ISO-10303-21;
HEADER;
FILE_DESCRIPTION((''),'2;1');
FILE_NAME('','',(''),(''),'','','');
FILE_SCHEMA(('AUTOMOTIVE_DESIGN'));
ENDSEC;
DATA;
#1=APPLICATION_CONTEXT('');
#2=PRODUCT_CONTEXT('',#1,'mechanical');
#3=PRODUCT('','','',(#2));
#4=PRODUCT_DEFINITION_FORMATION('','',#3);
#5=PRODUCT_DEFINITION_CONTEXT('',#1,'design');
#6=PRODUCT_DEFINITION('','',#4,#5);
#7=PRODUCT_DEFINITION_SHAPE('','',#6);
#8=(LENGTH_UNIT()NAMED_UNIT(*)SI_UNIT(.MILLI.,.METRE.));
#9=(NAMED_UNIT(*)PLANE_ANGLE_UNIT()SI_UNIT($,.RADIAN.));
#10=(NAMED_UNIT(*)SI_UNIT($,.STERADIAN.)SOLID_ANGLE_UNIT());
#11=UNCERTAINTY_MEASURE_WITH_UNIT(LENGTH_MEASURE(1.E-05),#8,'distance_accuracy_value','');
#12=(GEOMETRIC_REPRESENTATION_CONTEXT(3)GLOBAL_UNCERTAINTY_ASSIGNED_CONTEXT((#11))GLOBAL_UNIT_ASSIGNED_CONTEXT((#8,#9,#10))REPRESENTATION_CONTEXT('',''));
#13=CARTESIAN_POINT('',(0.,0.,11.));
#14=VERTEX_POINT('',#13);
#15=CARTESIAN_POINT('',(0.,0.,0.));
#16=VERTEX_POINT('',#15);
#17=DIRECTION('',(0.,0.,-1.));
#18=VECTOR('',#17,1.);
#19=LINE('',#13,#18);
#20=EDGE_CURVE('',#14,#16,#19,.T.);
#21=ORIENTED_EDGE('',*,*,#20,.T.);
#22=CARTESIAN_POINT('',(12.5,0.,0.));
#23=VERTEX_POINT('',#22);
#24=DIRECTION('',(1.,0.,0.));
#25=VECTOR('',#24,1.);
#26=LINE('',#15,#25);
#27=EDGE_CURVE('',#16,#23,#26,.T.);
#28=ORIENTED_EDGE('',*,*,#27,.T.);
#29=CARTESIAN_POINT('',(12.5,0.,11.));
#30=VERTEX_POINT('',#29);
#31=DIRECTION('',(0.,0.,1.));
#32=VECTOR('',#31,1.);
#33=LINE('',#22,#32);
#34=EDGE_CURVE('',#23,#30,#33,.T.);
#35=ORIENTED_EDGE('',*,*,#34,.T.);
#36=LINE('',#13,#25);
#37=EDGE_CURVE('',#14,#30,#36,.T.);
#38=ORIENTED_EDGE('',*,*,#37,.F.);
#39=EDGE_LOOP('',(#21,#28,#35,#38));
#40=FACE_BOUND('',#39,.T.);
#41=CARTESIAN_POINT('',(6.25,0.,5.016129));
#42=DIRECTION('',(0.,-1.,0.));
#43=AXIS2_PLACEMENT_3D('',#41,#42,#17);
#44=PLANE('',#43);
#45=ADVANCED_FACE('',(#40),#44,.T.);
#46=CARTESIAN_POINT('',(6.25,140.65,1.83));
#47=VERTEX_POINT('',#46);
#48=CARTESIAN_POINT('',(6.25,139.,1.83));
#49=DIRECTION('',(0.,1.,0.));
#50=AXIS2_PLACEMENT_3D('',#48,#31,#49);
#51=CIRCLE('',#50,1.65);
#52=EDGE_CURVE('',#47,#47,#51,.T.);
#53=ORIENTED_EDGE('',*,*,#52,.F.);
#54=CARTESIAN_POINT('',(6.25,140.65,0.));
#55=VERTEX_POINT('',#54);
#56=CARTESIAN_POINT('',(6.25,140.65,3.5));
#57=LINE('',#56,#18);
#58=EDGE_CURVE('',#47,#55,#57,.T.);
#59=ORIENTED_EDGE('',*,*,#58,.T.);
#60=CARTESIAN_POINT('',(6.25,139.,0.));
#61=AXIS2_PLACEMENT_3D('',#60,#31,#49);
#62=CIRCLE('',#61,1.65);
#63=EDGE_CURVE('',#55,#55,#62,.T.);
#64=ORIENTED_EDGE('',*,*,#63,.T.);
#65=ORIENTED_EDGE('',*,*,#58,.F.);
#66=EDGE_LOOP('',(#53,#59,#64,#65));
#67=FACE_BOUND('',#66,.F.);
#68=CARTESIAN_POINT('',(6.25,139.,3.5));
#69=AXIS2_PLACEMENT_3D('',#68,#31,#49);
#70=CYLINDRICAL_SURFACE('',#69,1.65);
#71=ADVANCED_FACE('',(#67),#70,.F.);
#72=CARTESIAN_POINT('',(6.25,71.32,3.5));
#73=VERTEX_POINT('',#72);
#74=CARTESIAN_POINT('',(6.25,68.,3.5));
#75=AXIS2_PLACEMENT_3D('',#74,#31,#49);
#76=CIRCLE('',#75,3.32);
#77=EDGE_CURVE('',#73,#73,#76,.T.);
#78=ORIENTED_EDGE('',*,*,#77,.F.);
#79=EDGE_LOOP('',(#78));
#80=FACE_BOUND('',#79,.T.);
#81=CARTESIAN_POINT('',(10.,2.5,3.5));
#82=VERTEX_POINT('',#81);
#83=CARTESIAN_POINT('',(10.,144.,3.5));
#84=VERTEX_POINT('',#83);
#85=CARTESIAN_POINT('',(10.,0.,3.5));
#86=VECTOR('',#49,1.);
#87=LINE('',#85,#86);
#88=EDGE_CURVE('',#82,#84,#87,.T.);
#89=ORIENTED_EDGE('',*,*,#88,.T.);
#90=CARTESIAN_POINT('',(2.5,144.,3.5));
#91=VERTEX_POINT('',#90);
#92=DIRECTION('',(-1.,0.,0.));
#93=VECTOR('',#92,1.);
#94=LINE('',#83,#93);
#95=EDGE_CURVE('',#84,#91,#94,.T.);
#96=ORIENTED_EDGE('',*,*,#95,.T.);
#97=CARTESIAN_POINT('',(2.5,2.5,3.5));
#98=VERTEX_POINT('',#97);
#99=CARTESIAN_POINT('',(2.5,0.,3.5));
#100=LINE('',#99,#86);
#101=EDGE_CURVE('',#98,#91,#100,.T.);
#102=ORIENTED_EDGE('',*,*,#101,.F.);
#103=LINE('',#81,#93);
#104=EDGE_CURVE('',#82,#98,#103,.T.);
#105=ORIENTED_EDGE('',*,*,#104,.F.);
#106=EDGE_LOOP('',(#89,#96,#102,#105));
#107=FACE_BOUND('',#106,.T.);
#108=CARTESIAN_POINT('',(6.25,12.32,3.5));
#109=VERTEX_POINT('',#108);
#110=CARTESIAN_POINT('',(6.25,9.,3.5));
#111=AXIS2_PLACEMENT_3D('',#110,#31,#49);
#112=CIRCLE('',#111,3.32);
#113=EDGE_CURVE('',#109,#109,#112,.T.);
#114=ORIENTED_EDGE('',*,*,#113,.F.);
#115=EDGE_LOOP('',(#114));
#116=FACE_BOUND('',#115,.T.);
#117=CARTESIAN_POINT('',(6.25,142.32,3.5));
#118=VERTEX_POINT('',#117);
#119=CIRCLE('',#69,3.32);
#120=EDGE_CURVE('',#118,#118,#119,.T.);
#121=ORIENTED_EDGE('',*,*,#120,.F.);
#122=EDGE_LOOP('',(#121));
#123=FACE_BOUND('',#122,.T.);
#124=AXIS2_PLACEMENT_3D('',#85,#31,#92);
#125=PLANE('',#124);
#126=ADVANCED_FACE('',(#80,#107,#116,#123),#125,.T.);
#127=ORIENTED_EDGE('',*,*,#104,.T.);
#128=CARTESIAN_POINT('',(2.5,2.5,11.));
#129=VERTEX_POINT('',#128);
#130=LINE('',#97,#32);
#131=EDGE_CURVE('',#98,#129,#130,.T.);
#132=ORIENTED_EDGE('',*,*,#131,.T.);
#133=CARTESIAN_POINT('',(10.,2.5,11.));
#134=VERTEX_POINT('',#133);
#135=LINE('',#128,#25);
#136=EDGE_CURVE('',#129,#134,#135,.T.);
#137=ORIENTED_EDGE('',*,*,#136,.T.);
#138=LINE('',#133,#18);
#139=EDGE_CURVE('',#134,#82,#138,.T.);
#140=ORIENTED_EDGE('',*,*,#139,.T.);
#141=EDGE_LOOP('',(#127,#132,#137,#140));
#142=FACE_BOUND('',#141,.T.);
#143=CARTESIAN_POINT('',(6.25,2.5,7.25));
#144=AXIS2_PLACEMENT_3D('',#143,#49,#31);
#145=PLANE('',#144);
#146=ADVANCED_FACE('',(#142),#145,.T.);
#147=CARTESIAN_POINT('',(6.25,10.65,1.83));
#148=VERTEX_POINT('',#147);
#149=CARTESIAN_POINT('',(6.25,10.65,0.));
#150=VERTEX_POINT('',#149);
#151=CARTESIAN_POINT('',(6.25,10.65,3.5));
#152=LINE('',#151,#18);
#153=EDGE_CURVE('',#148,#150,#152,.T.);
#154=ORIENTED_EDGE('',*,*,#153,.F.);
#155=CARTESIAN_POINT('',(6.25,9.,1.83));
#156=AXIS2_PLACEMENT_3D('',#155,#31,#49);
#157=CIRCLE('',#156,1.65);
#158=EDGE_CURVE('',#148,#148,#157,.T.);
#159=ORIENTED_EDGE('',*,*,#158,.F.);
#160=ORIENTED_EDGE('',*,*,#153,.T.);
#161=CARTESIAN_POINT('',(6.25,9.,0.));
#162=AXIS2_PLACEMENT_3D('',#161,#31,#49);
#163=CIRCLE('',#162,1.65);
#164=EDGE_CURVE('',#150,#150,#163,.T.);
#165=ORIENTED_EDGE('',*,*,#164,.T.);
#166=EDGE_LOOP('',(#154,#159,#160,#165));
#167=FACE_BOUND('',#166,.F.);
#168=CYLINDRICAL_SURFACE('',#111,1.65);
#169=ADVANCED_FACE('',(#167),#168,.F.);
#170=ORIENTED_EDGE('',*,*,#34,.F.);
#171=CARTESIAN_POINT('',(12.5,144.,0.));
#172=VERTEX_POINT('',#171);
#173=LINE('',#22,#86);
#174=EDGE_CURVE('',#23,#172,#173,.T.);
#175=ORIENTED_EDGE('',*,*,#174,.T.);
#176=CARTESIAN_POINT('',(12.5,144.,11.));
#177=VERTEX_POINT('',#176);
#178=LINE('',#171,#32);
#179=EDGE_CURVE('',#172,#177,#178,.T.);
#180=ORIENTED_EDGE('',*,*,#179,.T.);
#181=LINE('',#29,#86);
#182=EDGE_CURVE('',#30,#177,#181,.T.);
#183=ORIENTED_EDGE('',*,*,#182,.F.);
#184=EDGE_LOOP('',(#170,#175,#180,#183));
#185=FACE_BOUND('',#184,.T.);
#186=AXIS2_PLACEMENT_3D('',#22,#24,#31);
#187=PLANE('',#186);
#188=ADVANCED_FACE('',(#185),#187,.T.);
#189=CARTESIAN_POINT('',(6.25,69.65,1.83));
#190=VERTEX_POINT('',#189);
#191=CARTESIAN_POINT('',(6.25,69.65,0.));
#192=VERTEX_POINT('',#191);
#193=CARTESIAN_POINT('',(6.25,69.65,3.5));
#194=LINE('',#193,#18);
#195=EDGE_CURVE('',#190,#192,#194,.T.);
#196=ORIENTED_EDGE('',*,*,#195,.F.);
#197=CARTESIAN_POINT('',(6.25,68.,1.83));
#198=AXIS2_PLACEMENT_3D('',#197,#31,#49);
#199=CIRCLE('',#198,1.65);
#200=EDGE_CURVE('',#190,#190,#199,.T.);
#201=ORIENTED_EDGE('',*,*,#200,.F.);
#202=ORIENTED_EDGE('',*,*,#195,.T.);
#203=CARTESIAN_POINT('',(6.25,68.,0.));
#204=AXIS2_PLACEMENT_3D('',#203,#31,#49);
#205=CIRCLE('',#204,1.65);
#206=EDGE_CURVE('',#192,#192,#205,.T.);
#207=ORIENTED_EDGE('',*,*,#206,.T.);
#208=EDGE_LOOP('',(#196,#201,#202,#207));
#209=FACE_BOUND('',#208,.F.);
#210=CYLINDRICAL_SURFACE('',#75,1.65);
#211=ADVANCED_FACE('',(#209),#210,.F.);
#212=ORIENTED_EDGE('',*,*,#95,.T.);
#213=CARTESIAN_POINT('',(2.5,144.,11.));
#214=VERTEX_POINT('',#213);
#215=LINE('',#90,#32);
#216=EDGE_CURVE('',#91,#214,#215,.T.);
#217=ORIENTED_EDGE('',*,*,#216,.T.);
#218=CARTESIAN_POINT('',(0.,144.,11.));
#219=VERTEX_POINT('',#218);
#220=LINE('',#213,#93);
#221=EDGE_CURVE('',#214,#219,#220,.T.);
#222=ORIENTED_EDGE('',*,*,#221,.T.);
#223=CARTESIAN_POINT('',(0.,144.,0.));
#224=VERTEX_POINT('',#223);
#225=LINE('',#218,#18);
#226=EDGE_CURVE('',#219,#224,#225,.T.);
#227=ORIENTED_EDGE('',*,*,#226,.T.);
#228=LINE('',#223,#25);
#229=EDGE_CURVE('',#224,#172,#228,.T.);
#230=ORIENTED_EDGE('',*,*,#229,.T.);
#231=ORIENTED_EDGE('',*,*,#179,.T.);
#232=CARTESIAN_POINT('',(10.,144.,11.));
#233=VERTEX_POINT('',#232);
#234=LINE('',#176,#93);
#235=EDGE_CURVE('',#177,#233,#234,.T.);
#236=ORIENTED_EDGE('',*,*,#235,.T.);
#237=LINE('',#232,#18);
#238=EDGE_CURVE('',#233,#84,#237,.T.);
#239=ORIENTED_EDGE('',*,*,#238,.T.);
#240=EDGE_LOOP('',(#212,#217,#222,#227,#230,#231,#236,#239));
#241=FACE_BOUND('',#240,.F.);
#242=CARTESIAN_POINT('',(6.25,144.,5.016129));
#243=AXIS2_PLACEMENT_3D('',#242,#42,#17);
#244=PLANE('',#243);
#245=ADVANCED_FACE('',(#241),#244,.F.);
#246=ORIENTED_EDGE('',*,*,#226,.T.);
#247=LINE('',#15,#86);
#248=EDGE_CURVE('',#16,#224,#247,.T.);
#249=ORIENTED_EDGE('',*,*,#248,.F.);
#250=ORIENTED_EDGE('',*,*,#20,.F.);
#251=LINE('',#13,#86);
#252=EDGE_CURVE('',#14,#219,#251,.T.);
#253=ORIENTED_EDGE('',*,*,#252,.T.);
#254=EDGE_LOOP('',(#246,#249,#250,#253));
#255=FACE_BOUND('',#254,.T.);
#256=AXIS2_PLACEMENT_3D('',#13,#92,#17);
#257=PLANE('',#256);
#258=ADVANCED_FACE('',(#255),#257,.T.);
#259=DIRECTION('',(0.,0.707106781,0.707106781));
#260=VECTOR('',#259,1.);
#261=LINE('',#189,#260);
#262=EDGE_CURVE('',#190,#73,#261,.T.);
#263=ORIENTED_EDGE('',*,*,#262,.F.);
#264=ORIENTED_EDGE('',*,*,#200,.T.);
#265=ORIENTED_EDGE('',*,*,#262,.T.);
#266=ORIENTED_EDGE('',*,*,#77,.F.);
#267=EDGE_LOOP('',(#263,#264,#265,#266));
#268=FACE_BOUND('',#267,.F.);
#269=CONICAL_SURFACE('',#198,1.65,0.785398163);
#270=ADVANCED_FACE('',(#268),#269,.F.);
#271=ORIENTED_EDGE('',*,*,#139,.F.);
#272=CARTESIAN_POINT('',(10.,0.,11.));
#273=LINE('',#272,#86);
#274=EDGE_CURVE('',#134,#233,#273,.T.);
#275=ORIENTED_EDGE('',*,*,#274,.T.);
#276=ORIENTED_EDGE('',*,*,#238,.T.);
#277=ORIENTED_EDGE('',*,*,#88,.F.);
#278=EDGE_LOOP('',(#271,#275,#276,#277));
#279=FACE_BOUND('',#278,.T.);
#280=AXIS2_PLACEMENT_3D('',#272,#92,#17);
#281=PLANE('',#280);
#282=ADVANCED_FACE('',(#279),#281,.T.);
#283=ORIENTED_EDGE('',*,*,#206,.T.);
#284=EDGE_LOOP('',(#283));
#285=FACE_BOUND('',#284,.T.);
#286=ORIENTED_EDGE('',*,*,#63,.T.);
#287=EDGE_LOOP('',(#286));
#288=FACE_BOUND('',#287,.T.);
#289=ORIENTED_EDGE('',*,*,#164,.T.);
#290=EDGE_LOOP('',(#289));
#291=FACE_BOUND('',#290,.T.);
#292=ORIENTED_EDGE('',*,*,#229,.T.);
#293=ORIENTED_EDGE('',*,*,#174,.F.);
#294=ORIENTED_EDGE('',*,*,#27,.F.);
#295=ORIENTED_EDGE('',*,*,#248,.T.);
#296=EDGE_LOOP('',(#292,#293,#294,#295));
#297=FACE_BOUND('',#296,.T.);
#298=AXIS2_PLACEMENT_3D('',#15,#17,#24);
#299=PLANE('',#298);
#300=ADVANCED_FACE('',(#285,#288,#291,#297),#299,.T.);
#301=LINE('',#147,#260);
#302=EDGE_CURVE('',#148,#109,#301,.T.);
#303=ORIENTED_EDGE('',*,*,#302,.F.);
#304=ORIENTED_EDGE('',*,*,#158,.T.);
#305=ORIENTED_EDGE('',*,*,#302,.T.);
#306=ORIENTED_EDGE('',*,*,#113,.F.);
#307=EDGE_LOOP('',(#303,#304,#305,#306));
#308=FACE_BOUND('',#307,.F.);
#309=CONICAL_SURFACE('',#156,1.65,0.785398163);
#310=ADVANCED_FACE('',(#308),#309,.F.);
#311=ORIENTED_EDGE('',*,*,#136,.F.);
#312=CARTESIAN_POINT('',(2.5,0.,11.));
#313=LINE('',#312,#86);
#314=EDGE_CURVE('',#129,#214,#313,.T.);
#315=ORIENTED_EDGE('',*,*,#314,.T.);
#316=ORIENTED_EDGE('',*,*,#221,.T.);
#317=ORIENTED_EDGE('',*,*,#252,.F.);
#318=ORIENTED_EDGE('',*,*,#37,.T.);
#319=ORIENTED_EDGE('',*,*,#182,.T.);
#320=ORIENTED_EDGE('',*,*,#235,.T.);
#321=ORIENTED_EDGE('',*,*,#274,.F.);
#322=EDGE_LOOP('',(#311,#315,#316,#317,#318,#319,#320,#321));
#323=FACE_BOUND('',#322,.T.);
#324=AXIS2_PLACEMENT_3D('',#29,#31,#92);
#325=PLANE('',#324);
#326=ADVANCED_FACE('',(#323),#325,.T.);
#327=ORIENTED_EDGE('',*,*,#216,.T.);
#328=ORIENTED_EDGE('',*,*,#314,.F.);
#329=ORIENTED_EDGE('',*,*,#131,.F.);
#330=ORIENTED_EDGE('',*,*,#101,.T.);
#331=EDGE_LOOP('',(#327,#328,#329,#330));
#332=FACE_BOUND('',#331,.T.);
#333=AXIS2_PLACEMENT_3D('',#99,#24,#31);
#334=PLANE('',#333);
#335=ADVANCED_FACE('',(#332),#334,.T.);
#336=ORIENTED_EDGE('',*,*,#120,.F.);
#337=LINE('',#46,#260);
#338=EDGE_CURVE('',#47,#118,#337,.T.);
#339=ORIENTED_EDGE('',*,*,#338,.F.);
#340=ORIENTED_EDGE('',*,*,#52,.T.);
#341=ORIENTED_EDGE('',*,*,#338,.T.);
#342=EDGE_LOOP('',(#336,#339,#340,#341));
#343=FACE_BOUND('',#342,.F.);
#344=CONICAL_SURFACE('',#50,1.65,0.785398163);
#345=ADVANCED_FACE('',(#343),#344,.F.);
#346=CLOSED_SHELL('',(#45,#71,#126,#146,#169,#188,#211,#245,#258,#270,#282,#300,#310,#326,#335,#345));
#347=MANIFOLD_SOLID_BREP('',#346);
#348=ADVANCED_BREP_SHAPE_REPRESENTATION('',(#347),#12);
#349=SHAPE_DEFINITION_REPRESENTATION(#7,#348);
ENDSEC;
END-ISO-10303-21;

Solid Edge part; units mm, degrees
sketch "Sketch1" plane through (0, 0, 0) normal (0, -1, 0) x (1, 0, 0)
  line L0 (12.5, 0) -> (12.5, 11)
  line L1 (12.5, 11) -> (10, 11)
  line L2 (10, 11) -> (10, 3.5)
  line L3 (10, 3.5) -> (2.5, 3.5)
  line L4 (2.5, 3.5) -> (2.5, 11)
  line L5 (2.5, 11) -> (0, 11)
  line L6 (0, 11) -> (0, 0)
  line L7 (0, 0) -> (12.5, 0)
extrude "Protrusion1" add sketch "Sketch1" against normal blind 144
sketch "Sketch2" plane through (6.25, 0, 5.5) normal (0, -1, 0) x (1, 0, 0)
  line L0 (-3.75, 5.5) -> (3.75, 5.5)
  line L1 (3.75, 5.5) -> (3.75, -2)
  line L2 (3.75, -2) -> (-3.75, -2)
  line L3 (-3.75, -2) -> (-3.75, 5.5)
extrude "ExtrudedProtrusion_2" add sketch "Sketch2" against normal blind 2.5
sketch "Sketch3" plane through (6.25, 77.25, 3.5) normal (0, 0, 1) x (0, 1, 0)
  circle A0 centre (-68.25, 0) radius 1.65
  circle A1 centre (-9.25, 0) radius 1.65
  circle A2 centre (61.75, 0) radius 1.65
  dimension "D1" = 5
  dimension "D2" = 59
  dimension "D3" = 6.5
extrude "Cutout1" cut sketch "Sketch3" against normal through all
chamfer "Countersink" distance 1.67 angle 45 3 edges at (6.25, 66.35, 3.5) (6.25, 7.35, 3.5) (6.25, 137.35, 3.5)
